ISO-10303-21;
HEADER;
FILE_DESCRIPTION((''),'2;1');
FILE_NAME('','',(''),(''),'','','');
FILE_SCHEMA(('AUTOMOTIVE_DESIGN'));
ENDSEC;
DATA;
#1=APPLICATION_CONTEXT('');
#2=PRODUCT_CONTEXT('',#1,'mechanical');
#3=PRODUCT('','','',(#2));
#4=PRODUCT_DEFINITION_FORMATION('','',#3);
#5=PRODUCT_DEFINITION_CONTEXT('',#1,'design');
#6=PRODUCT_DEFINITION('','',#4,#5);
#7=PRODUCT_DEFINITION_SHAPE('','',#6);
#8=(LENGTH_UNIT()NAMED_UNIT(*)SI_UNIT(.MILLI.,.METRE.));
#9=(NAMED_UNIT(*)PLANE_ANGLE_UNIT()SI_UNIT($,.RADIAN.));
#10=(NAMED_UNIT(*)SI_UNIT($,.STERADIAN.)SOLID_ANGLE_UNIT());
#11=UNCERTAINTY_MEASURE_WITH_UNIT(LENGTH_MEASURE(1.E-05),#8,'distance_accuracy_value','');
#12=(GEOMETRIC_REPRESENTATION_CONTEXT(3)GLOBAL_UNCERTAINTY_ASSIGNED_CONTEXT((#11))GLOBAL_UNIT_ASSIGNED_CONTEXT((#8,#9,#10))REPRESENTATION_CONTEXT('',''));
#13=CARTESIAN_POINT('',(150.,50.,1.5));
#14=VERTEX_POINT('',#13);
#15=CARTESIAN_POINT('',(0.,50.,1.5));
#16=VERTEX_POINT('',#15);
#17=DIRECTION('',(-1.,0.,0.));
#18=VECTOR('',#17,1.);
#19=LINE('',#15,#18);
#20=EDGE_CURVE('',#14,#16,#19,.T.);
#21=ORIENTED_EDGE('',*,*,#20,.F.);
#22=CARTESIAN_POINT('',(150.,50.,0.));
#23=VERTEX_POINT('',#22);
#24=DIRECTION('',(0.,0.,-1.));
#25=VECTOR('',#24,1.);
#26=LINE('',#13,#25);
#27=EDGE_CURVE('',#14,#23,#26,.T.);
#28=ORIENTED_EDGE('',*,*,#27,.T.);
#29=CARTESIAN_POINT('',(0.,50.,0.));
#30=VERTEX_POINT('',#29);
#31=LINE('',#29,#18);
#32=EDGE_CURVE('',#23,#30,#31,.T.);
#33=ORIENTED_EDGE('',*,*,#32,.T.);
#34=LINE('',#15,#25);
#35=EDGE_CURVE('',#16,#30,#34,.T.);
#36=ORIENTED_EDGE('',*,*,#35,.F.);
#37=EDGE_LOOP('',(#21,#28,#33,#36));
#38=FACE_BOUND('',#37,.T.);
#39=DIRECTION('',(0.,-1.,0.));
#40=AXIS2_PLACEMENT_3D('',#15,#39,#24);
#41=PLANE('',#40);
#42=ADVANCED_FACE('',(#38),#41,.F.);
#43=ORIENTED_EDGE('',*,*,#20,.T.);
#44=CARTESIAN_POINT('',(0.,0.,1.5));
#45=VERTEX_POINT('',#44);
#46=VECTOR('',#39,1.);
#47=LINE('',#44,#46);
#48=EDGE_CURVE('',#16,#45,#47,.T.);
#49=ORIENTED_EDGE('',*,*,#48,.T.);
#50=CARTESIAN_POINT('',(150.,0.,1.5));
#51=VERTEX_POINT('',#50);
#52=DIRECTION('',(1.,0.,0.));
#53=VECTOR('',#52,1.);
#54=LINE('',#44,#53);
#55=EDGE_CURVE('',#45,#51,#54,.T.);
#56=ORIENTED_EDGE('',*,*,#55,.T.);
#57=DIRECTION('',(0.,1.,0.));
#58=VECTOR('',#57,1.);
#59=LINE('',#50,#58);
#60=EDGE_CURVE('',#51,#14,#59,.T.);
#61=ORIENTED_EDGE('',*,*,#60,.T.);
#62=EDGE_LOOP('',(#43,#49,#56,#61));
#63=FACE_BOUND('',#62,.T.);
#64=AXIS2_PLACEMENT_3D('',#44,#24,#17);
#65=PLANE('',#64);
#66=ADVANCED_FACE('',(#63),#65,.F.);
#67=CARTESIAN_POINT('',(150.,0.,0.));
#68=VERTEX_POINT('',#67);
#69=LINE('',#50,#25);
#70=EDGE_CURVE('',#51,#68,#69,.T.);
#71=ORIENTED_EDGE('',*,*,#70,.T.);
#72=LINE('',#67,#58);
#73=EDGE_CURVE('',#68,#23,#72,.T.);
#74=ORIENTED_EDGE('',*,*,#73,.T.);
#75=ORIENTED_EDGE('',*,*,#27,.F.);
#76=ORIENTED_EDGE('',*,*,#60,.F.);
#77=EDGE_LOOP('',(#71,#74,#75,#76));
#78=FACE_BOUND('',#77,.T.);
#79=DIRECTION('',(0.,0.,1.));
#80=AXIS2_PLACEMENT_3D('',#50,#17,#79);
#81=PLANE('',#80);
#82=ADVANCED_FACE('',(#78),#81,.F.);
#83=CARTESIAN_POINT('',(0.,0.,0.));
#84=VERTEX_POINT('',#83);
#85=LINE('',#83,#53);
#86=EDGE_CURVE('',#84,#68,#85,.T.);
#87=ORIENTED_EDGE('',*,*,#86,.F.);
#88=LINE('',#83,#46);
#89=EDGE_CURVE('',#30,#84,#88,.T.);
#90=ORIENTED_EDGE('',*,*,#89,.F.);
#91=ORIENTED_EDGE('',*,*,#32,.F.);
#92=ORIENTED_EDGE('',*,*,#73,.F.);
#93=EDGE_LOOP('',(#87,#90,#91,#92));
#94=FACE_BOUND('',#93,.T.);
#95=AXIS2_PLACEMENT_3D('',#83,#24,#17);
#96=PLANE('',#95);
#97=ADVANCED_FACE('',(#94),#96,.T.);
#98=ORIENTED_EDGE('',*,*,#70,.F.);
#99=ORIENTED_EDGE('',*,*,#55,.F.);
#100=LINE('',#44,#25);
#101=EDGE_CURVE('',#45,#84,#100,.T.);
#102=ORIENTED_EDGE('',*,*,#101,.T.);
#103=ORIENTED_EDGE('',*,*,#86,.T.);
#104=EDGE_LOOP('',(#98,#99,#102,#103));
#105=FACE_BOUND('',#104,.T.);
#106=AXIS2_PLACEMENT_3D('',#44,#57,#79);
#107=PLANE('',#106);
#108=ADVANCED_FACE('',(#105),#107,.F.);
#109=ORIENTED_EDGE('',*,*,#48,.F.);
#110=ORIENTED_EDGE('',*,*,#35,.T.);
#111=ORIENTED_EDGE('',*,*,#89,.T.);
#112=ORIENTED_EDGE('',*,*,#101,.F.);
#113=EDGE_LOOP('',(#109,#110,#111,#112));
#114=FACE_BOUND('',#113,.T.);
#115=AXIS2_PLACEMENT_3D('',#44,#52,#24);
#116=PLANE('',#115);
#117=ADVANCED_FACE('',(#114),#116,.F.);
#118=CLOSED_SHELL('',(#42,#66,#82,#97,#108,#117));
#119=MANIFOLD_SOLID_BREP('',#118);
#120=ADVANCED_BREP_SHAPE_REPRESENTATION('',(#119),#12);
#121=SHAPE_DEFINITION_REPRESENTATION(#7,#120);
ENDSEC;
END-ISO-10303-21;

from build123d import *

# Parameters (mm, degrees)
ESBO_O1_W                = 150
ESBO_O1_H                = 50
RESSALTO_EXTRUS_O1_DEPTH = 1.5


with BuildPart() as part:
    # Esboço1 → Ressalto-extrusão1 (new body)
    with BuildSketch(Plane.XY):
        with Locations((75, 25)):
            Rectangle(ESBO_O1_W, ESBO_O1_H)
    extrude(amount=RESSALTO_EXTRUS_O1_DEPTH)


solid = part.part
